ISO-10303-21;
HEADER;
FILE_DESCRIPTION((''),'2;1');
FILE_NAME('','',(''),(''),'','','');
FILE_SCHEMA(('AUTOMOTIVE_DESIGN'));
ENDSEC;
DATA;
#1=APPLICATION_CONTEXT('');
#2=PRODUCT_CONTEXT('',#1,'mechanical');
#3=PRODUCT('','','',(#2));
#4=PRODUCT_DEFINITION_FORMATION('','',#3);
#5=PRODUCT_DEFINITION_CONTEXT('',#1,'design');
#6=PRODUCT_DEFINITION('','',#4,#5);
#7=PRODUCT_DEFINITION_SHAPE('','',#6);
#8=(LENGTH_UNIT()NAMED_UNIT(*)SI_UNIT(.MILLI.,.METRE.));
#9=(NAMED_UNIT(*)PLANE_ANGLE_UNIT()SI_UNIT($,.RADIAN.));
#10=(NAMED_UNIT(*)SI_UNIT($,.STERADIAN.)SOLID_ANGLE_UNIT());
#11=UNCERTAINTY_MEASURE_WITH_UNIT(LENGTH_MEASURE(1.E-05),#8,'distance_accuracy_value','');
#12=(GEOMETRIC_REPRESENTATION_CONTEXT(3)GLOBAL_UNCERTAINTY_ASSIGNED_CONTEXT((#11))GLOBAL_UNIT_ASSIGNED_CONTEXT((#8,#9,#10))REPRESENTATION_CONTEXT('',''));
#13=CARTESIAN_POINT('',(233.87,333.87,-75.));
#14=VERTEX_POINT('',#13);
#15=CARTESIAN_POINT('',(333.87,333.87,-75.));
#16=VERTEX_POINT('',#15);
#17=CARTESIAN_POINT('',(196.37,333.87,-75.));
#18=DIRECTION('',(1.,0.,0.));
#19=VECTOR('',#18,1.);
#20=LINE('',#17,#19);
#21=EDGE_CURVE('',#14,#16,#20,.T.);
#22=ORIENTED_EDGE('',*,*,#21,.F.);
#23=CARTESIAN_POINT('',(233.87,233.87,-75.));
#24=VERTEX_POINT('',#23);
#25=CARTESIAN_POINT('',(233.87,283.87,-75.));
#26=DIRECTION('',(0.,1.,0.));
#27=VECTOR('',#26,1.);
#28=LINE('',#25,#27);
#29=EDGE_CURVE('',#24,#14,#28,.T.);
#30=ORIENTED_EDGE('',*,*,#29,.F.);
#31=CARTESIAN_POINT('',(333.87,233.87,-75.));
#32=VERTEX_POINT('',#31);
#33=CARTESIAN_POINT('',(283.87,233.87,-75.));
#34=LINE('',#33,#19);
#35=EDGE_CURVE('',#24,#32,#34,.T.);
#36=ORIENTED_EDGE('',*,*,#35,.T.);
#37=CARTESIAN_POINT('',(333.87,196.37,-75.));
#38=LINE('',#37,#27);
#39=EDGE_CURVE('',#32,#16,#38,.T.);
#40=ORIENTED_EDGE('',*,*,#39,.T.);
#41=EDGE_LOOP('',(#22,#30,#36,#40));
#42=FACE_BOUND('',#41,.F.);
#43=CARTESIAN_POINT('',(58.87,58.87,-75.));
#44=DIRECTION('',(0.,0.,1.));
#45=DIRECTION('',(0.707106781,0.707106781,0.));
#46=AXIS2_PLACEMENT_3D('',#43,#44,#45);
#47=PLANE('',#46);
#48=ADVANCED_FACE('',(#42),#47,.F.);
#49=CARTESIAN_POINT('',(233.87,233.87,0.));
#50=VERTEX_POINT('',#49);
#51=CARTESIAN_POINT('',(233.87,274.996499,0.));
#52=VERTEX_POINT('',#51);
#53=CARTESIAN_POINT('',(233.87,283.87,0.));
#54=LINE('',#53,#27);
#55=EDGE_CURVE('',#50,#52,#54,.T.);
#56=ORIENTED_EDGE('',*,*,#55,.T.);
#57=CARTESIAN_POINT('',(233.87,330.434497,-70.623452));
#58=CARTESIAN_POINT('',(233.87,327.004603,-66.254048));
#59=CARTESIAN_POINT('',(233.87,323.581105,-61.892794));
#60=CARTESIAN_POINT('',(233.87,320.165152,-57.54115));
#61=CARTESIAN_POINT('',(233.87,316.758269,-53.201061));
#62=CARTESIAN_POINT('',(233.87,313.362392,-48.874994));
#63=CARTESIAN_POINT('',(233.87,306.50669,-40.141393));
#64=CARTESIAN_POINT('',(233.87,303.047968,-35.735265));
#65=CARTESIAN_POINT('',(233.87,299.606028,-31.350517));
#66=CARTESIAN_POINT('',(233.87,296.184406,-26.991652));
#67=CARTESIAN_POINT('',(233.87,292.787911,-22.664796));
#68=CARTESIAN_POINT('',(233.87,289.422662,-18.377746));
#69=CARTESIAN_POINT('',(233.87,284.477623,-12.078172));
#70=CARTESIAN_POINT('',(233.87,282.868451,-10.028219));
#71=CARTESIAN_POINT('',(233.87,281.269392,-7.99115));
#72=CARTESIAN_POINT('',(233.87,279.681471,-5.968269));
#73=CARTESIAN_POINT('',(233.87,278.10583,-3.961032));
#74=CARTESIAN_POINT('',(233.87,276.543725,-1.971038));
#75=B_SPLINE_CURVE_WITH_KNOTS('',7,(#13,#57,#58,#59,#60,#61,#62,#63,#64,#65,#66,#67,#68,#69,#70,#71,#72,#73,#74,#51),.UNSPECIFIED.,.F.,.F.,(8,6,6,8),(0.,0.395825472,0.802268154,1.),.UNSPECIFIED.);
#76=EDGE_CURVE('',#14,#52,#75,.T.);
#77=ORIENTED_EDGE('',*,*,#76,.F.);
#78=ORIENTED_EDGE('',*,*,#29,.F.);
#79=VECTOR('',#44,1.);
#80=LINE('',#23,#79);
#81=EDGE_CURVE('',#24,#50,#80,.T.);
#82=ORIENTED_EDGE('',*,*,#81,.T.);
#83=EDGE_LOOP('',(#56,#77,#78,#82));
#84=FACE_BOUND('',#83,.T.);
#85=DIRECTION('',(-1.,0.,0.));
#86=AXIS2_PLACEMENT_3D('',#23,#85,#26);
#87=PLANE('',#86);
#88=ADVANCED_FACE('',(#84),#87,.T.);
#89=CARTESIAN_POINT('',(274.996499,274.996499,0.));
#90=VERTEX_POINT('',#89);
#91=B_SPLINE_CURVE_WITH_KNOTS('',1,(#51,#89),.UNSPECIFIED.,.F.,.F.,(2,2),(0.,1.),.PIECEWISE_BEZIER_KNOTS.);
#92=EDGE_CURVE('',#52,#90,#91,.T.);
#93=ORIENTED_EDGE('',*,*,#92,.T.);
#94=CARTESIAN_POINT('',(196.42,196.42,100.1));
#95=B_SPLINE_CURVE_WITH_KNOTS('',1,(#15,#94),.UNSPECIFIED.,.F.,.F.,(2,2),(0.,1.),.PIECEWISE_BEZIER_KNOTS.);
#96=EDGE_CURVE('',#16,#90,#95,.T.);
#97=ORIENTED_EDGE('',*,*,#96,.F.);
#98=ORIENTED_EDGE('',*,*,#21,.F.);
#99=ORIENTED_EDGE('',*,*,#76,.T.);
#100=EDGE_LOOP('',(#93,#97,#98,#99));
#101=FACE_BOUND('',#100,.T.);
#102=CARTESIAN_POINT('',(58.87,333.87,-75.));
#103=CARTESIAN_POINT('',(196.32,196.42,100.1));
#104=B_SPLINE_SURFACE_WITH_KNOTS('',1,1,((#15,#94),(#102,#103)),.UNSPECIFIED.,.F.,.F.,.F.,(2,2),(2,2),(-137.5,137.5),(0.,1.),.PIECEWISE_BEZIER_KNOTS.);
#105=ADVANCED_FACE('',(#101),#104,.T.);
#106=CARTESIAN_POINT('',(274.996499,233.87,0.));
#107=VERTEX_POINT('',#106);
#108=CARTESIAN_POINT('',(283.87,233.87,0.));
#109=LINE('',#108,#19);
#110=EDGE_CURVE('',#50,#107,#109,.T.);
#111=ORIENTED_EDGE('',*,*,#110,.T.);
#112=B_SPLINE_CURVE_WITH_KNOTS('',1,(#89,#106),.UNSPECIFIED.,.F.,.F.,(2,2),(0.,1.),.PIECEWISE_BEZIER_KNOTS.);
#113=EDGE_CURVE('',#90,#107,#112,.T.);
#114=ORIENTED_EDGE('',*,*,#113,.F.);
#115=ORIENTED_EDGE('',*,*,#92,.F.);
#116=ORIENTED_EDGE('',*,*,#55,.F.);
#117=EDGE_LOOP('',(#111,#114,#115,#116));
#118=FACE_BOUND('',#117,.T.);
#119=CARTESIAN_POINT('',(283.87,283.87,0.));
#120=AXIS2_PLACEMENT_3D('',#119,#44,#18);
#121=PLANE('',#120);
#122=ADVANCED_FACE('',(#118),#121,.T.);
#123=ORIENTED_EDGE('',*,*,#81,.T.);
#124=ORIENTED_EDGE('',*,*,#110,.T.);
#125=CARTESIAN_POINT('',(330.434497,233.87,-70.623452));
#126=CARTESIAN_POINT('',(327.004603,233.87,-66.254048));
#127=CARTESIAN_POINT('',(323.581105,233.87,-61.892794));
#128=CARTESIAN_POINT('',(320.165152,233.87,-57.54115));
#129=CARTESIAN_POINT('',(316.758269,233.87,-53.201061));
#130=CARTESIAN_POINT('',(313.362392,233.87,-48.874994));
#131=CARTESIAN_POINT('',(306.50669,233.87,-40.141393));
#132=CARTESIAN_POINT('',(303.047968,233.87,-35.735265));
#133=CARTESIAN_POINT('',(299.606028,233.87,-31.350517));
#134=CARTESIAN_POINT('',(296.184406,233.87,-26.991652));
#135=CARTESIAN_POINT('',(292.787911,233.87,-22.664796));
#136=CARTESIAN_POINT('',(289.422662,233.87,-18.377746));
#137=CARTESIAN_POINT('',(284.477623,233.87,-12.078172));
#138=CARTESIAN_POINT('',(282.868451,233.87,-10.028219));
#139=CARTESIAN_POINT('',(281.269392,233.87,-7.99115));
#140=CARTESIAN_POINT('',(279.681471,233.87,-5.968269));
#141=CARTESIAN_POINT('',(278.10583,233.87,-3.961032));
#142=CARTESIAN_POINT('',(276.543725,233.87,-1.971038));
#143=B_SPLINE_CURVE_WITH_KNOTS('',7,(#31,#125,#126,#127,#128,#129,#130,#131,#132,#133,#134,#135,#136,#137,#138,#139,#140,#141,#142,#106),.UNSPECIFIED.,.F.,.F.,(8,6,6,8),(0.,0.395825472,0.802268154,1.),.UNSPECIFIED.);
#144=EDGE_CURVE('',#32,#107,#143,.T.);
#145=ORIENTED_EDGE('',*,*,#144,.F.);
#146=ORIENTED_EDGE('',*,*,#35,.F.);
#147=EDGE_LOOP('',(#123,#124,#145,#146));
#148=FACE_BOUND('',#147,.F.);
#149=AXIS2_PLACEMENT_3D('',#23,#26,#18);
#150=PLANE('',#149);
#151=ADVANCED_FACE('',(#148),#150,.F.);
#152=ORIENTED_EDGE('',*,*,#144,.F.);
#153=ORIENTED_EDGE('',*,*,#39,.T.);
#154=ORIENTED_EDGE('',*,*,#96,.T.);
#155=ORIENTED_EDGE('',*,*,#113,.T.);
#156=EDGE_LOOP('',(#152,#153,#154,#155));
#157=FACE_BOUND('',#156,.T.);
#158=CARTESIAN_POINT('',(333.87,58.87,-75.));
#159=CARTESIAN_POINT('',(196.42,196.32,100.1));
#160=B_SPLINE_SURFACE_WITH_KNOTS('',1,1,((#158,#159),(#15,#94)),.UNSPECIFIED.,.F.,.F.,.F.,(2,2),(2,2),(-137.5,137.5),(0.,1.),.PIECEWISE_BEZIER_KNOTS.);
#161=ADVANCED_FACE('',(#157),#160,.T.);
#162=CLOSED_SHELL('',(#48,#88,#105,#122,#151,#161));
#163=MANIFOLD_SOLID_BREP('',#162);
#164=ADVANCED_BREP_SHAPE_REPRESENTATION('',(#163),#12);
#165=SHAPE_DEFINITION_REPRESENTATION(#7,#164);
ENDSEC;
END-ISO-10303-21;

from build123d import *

# Parameters (mm, degrees)
BOX020_W     = 100
BOX020_H     = 100
BOX020_DEPTH = 75
SKETCH054_W  = 275
SKETCH054_H  = 275
SKETCH055_W  = 0.1
SKETCH055_H  = 0.1


with BuildPart() as cube002:
    # Box020 → Box020 (new body)
    with BuildSketch(Plane(origin=(175, 175, 0), x_dir=(1, 0, 0), z_dir=(0, 0, 1))):
        with Locations((50, 50)):
            Rectangle(BOX020_W, BOX020_H)
    extrude(amount=BOX020_DEPTH)


with BuildPart() as legs003:
    # Sketch054 → Loft019 section 0
    with BuildSketch(Plane.XY):
        with Locations((137.5, 137.5)):
            Rectangle(SKETCH054_W, SKETCH054_H)
    # Sketch055 → Loft019 section 1
    with BuildSketch(Plane.XY.offset(175.1)):
        with Locations((137.5, 137.5)):
            Rectangle(SKETCH055_W, SKETCH055_H)
    loft()

    # Common014: intersect Cube002
    add(cube002.part, mode=Mode.INTERSECT)


with BuildPart() as legs003_1:
    # Common014 placement: moved
    add(legs003.part.moved(Location((58.87, 58.87, -75))))


solid = legs003_1.part
